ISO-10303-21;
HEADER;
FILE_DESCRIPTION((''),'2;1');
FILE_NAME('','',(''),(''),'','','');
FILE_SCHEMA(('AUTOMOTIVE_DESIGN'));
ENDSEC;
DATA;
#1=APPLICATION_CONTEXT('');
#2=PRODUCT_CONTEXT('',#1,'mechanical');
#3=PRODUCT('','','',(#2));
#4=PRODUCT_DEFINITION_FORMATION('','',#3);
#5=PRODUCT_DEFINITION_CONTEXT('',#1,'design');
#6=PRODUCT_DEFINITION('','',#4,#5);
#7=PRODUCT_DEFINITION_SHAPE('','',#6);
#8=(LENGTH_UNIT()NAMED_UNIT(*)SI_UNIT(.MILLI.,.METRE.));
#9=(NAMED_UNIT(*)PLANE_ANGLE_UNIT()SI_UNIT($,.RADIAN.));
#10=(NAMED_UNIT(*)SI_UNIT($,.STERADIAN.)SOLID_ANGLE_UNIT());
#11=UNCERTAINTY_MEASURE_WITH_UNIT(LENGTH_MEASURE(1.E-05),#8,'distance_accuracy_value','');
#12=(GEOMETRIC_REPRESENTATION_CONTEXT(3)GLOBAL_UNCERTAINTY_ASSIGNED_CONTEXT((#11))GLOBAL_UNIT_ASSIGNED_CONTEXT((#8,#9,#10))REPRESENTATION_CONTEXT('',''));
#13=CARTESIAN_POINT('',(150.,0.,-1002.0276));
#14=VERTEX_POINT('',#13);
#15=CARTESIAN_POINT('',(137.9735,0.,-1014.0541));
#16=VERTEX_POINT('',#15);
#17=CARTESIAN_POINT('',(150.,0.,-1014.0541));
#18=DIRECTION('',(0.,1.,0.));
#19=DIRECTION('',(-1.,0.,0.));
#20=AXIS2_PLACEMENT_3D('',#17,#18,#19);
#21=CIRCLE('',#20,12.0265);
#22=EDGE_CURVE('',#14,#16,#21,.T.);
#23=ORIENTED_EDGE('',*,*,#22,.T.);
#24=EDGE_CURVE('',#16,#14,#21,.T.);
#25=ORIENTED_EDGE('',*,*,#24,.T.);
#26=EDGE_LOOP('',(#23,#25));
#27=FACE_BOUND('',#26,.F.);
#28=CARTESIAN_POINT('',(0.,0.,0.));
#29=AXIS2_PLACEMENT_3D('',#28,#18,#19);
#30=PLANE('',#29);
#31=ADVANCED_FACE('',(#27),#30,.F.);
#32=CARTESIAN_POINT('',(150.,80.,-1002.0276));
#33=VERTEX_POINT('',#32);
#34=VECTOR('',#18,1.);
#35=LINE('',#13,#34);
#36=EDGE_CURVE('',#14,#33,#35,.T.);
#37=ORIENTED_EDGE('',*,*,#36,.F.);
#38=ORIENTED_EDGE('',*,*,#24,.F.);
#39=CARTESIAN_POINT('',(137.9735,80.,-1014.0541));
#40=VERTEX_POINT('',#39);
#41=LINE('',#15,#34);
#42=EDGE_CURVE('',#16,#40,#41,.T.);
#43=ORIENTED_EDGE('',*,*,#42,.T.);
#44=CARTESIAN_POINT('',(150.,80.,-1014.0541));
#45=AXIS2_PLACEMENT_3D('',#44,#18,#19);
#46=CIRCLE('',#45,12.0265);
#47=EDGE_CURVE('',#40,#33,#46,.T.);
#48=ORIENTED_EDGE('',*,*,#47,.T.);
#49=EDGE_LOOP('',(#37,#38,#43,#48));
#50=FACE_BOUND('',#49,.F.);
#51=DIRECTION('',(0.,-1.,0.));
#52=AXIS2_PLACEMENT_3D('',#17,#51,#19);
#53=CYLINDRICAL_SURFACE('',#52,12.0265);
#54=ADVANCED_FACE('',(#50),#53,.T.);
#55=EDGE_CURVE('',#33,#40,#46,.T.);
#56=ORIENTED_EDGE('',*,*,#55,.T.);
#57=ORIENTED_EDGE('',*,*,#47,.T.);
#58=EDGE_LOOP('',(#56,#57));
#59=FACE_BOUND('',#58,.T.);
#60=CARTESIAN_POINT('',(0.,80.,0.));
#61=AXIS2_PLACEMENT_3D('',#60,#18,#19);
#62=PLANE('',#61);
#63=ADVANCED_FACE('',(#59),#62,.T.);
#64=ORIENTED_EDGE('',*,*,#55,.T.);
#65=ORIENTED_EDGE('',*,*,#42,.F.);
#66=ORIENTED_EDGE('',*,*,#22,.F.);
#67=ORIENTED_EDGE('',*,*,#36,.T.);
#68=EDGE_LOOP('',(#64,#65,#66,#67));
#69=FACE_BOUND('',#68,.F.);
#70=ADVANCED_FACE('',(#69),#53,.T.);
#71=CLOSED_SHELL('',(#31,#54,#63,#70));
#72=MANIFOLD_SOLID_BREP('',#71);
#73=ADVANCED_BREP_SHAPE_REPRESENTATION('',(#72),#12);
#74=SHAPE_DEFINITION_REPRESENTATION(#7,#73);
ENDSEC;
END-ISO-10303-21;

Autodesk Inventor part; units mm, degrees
ref_plane "YZ Plane" through (0, 0, 0) normal (1, 0, 0) x (0, 1, 0)
ref_plane "XZ Plane" through (0, 0, 0) normal (0, 1, 0) x (-1, 0, 0)
ref_plane "XY Plane" through (0, 0, 0) normal (0, 0, 1) x (1, 0, 0)
sketch "Sketch1" plane through (0, 0, 0) normal (0, 1, 0) x (-1, 0, 0)
  circle A0 centre (0, 0) radius 950 construction
  line L0 (0, 0) -> (0, -950) construction
  line L1 (0, 0) -> (-822.7241, -475) construction
  line L2 (0, 0) -> (950, 0) construction
  circle A1 centre (-150, -1014.0541) radius 12.0265
  line L3 (0, 0) -> (-150, -938.0832) construction
  line L4 (-150, -938.0832) -> (-150, -1017.5235)
  dimension "d0" = 1900
  dimension "d5" = 150
extrude "Extrusion2" add sketch "Sketch1" along normal blind 80
sketch "Sketch2" plane through (150, 80, -1014.0541) normal (0, 1, 0) x (1, 0, 0)
  point P0 (-150, -1014.0541)
sketch "Sketch3" plane through (150, 80, -1014.0541) normal (0, 1, 0) x (1, 0, 0)
  line L0 (0, 0) -> (5.4512, -52.6126)
  line L1 (0, 0) -> (50.5345, 5.2359)
  point P0 (-150, -1014.0541)
properties part number "PodstawaFem"
